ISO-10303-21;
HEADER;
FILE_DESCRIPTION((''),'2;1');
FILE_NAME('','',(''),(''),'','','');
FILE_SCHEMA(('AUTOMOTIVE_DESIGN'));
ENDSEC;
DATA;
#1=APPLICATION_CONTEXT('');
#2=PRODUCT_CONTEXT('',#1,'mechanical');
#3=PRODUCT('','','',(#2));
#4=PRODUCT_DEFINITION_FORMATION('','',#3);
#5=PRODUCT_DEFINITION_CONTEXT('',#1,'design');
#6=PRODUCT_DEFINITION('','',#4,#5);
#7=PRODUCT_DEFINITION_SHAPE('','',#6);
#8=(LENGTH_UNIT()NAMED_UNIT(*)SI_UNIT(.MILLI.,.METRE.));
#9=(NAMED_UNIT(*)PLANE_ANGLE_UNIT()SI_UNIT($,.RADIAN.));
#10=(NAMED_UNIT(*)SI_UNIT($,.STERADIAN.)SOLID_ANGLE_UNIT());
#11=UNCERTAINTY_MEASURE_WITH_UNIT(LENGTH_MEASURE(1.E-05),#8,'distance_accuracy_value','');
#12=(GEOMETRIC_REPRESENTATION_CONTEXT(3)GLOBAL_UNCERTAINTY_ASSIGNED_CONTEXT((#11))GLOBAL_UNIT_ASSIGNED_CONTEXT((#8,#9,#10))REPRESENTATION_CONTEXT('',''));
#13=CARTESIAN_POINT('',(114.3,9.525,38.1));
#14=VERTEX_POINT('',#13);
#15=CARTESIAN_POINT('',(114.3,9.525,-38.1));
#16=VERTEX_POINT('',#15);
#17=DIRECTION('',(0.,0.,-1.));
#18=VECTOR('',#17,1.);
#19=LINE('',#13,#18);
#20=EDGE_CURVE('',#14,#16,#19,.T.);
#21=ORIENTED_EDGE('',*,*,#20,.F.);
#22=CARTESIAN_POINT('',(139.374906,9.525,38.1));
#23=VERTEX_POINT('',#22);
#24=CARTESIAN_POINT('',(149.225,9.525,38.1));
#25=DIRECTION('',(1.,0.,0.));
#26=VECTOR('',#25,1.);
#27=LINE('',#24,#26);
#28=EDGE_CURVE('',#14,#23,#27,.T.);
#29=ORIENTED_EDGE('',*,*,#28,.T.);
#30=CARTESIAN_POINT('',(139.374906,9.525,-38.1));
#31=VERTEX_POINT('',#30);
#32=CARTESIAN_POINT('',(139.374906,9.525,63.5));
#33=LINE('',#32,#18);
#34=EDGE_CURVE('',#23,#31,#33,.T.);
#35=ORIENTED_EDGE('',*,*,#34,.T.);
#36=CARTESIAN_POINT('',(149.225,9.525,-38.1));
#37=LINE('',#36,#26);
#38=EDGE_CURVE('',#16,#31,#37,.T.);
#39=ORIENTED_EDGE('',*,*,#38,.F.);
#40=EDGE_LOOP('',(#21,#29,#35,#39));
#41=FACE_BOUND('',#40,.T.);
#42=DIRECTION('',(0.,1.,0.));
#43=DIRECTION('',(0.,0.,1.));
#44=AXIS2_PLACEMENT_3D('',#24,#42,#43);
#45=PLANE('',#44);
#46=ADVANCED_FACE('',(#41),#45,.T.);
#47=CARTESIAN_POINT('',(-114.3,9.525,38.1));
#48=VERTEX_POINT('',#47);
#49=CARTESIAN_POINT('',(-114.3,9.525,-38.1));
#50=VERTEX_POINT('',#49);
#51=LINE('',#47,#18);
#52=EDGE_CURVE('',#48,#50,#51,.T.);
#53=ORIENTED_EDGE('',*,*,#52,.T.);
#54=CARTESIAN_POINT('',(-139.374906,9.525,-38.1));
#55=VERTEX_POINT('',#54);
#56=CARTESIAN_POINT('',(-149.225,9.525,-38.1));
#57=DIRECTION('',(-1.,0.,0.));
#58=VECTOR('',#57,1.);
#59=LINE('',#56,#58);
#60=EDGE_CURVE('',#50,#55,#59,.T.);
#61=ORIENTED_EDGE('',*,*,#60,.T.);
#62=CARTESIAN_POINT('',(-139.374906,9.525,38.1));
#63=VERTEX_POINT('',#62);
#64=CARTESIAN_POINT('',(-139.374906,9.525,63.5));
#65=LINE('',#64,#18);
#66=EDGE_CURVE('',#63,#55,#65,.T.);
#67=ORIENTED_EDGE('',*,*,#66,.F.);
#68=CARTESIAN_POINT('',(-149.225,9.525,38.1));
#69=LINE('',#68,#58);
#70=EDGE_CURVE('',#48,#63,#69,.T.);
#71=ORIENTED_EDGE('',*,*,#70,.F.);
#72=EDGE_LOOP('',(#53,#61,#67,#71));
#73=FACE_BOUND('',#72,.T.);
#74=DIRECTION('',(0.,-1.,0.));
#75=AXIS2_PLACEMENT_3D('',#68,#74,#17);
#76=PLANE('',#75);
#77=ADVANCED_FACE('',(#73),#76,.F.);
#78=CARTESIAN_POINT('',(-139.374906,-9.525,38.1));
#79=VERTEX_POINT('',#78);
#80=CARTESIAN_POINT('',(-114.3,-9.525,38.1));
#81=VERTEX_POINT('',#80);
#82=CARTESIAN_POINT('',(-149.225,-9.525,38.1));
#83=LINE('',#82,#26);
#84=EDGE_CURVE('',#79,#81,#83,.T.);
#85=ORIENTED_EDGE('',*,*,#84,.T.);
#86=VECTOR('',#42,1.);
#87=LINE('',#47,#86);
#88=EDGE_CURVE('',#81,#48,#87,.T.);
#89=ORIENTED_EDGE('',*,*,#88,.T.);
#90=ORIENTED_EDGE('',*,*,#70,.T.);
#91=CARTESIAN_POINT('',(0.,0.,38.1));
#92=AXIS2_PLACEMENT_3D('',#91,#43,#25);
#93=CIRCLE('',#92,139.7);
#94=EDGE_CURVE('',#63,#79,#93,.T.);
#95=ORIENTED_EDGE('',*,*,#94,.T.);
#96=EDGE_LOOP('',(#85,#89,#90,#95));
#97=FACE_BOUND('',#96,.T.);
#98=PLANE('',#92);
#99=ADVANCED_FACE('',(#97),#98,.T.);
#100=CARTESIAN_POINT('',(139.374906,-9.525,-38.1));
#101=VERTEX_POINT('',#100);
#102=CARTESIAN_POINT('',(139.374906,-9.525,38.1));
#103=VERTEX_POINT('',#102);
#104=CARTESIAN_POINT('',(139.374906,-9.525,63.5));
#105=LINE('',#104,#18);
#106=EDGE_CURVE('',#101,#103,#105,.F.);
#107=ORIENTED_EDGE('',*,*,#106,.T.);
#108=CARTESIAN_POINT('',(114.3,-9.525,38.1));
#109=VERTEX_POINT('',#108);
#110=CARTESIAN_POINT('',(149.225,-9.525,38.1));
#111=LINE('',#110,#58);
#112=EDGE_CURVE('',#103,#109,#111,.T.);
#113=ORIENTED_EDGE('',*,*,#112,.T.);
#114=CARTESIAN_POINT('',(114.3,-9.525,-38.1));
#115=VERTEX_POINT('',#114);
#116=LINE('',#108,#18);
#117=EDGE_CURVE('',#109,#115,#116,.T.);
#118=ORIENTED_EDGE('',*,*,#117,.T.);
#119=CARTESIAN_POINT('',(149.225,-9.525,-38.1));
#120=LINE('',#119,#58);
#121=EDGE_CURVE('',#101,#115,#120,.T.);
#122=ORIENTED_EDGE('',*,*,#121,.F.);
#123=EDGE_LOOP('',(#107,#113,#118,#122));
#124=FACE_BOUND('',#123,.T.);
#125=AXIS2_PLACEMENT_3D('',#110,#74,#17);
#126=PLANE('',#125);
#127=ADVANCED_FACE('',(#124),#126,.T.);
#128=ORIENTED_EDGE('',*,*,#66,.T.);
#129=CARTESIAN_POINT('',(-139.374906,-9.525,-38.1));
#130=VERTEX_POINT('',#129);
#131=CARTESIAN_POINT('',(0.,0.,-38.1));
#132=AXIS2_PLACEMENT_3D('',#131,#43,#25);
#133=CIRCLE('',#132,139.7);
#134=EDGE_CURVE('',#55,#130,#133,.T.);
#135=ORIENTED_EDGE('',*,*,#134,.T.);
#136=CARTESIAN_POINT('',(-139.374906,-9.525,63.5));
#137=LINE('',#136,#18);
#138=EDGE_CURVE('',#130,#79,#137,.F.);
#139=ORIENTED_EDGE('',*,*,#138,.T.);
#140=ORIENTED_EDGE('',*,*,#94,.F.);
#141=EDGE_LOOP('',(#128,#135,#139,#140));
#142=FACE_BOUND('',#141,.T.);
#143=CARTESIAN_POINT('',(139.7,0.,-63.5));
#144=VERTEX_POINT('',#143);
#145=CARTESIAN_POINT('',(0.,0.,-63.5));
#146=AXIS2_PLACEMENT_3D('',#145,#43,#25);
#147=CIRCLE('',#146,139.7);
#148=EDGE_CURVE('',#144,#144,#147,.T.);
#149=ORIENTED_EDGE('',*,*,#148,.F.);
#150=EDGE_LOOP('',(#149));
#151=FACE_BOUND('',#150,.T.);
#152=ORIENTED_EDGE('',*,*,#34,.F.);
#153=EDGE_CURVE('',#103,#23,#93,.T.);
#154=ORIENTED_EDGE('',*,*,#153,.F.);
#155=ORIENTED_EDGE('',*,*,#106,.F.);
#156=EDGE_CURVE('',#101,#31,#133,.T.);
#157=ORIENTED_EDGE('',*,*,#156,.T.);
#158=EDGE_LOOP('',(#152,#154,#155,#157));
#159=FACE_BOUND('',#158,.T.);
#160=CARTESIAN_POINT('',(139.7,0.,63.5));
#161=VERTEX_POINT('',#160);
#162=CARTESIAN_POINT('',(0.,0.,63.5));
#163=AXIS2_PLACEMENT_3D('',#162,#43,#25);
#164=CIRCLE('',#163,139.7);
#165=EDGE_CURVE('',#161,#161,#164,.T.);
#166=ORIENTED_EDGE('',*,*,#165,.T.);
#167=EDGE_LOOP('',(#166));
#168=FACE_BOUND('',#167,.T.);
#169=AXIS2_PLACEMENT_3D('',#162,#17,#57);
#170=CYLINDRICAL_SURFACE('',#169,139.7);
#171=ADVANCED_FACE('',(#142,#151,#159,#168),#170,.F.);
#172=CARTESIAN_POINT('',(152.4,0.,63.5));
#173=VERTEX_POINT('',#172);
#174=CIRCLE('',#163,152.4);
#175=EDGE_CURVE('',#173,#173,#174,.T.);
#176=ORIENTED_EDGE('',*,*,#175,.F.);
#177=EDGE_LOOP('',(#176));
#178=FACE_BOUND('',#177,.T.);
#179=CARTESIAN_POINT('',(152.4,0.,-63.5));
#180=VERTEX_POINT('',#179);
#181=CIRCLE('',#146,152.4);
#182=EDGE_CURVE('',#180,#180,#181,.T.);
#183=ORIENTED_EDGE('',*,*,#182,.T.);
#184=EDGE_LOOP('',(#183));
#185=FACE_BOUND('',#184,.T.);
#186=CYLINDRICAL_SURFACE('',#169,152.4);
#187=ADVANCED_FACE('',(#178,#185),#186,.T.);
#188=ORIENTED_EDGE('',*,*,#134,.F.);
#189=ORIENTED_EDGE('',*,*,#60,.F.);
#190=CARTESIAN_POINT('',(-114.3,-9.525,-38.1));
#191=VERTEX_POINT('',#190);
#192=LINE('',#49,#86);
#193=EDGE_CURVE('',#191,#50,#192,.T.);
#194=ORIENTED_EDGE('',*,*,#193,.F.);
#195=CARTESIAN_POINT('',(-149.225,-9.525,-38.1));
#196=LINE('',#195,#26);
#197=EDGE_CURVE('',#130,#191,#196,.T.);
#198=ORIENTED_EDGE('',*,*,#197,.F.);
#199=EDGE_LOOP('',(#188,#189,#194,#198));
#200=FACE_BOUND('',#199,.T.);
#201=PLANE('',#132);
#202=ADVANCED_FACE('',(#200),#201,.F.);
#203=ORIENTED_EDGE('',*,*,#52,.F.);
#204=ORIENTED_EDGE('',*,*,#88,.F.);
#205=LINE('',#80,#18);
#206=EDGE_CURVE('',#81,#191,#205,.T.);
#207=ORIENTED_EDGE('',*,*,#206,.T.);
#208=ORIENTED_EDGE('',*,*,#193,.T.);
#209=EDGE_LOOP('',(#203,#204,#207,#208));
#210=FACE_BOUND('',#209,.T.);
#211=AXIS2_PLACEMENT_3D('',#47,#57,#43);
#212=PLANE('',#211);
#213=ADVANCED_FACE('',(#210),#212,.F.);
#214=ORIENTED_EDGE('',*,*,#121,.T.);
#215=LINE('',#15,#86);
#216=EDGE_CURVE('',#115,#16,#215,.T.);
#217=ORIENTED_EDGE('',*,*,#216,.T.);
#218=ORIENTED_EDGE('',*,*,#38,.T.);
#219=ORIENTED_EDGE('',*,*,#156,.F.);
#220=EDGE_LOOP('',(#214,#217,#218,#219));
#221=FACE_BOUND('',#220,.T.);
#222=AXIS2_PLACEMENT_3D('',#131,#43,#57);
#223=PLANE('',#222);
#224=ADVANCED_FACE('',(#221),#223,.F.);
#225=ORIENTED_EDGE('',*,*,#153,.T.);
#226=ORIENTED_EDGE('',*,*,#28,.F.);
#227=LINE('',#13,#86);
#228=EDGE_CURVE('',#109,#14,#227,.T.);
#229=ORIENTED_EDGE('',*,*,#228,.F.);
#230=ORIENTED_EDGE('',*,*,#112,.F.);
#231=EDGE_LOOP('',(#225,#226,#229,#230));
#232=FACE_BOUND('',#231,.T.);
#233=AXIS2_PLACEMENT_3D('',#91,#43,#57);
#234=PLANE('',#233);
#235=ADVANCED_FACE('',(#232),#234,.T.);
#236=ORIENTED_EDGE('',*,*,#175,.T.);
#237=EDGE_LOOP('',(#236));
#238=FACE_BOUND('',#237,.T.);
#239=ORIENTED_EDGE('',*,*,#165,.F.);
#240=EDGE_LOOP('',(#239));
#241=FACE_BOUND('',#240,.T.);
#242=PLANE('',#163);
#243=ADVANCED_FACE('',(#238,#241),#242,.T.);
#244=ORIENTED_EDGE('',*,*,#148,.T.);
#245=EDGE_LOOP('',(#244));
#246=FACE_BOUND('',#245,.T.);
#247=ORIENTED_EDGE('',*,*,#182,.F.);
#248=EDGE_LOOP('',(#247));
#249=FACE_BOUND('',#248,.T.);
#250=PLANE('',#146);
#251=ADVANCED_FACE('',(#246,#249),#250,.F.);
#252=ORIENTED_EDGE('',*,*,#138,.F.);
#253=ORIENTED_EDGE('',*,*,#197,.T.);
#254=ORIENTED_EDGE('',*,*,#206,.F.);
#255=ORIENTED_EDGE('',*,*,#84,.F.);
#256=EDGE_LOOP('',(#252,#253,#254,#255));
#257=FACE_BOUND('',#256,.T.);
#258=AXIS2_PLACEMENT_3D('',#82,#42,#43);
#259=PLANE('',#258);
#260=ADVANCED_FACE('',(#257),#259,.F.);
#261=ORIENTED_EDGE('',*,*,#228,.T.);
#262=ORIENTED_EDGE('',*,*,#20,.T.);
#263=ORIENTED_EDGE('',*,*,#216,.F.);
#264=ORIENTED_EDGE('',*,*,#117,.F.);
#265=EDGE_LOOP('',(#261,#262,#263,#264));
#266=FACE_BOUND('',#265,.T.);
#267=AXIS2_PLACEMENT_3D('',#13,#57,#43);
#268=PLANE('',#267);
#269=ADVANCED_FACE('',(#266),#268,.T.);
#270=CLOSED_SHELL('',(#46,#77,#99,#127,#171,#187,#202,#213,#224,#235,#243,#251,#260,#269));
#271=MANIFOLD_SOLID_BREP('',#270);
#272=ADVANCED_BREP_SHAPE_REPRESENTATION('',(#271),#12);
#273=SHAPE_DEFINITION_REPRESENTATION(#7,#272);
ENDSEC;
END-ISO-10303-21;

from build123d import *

# Parameters (mm, degrees)
SKETCH1_R           = 152.4
SKETCH1_R_2         = 139.7
BOSS_EXTRUDE1_DEPTH = 63.5
SKETCH2_W           = 34.925
SKETCH2_H           = 19.05
BOSS_EXTRUDE2_DEPTH = 38.1


with BuildPart() as part:
    # Sketch1 → Boss-Extrude1 (new, symmetric)
    with BuildSketch(Plane.XY):
        Circle(SKETCH1_R)
        Circle(SKETCH1_R_2, mode=Mode.SUBTRACT)
    extrude(amount=BOSS_EXTRUDE1_DEPTH, both=True)

    # Sketch2 → Boss-Extrude2 (add, symmetric)
    with BuildSketch(Plane.XY):
        with Locations((-131.7625, 0)):
            Rectangle(SKETCH2_W, SKETCH2_H)
    boss_extrude2 = extrude(amount=BOSS_EXTRUDE2_DEPTH, both=True)

    # Mirror2: Boss-Extrude2 across plane
    add(boss_extrude2.mirror(Plane(origin=(0, 0, 0), x_dir=(0, 0, 1), z_dir=(1, 0, 0))))


solid = part.part
